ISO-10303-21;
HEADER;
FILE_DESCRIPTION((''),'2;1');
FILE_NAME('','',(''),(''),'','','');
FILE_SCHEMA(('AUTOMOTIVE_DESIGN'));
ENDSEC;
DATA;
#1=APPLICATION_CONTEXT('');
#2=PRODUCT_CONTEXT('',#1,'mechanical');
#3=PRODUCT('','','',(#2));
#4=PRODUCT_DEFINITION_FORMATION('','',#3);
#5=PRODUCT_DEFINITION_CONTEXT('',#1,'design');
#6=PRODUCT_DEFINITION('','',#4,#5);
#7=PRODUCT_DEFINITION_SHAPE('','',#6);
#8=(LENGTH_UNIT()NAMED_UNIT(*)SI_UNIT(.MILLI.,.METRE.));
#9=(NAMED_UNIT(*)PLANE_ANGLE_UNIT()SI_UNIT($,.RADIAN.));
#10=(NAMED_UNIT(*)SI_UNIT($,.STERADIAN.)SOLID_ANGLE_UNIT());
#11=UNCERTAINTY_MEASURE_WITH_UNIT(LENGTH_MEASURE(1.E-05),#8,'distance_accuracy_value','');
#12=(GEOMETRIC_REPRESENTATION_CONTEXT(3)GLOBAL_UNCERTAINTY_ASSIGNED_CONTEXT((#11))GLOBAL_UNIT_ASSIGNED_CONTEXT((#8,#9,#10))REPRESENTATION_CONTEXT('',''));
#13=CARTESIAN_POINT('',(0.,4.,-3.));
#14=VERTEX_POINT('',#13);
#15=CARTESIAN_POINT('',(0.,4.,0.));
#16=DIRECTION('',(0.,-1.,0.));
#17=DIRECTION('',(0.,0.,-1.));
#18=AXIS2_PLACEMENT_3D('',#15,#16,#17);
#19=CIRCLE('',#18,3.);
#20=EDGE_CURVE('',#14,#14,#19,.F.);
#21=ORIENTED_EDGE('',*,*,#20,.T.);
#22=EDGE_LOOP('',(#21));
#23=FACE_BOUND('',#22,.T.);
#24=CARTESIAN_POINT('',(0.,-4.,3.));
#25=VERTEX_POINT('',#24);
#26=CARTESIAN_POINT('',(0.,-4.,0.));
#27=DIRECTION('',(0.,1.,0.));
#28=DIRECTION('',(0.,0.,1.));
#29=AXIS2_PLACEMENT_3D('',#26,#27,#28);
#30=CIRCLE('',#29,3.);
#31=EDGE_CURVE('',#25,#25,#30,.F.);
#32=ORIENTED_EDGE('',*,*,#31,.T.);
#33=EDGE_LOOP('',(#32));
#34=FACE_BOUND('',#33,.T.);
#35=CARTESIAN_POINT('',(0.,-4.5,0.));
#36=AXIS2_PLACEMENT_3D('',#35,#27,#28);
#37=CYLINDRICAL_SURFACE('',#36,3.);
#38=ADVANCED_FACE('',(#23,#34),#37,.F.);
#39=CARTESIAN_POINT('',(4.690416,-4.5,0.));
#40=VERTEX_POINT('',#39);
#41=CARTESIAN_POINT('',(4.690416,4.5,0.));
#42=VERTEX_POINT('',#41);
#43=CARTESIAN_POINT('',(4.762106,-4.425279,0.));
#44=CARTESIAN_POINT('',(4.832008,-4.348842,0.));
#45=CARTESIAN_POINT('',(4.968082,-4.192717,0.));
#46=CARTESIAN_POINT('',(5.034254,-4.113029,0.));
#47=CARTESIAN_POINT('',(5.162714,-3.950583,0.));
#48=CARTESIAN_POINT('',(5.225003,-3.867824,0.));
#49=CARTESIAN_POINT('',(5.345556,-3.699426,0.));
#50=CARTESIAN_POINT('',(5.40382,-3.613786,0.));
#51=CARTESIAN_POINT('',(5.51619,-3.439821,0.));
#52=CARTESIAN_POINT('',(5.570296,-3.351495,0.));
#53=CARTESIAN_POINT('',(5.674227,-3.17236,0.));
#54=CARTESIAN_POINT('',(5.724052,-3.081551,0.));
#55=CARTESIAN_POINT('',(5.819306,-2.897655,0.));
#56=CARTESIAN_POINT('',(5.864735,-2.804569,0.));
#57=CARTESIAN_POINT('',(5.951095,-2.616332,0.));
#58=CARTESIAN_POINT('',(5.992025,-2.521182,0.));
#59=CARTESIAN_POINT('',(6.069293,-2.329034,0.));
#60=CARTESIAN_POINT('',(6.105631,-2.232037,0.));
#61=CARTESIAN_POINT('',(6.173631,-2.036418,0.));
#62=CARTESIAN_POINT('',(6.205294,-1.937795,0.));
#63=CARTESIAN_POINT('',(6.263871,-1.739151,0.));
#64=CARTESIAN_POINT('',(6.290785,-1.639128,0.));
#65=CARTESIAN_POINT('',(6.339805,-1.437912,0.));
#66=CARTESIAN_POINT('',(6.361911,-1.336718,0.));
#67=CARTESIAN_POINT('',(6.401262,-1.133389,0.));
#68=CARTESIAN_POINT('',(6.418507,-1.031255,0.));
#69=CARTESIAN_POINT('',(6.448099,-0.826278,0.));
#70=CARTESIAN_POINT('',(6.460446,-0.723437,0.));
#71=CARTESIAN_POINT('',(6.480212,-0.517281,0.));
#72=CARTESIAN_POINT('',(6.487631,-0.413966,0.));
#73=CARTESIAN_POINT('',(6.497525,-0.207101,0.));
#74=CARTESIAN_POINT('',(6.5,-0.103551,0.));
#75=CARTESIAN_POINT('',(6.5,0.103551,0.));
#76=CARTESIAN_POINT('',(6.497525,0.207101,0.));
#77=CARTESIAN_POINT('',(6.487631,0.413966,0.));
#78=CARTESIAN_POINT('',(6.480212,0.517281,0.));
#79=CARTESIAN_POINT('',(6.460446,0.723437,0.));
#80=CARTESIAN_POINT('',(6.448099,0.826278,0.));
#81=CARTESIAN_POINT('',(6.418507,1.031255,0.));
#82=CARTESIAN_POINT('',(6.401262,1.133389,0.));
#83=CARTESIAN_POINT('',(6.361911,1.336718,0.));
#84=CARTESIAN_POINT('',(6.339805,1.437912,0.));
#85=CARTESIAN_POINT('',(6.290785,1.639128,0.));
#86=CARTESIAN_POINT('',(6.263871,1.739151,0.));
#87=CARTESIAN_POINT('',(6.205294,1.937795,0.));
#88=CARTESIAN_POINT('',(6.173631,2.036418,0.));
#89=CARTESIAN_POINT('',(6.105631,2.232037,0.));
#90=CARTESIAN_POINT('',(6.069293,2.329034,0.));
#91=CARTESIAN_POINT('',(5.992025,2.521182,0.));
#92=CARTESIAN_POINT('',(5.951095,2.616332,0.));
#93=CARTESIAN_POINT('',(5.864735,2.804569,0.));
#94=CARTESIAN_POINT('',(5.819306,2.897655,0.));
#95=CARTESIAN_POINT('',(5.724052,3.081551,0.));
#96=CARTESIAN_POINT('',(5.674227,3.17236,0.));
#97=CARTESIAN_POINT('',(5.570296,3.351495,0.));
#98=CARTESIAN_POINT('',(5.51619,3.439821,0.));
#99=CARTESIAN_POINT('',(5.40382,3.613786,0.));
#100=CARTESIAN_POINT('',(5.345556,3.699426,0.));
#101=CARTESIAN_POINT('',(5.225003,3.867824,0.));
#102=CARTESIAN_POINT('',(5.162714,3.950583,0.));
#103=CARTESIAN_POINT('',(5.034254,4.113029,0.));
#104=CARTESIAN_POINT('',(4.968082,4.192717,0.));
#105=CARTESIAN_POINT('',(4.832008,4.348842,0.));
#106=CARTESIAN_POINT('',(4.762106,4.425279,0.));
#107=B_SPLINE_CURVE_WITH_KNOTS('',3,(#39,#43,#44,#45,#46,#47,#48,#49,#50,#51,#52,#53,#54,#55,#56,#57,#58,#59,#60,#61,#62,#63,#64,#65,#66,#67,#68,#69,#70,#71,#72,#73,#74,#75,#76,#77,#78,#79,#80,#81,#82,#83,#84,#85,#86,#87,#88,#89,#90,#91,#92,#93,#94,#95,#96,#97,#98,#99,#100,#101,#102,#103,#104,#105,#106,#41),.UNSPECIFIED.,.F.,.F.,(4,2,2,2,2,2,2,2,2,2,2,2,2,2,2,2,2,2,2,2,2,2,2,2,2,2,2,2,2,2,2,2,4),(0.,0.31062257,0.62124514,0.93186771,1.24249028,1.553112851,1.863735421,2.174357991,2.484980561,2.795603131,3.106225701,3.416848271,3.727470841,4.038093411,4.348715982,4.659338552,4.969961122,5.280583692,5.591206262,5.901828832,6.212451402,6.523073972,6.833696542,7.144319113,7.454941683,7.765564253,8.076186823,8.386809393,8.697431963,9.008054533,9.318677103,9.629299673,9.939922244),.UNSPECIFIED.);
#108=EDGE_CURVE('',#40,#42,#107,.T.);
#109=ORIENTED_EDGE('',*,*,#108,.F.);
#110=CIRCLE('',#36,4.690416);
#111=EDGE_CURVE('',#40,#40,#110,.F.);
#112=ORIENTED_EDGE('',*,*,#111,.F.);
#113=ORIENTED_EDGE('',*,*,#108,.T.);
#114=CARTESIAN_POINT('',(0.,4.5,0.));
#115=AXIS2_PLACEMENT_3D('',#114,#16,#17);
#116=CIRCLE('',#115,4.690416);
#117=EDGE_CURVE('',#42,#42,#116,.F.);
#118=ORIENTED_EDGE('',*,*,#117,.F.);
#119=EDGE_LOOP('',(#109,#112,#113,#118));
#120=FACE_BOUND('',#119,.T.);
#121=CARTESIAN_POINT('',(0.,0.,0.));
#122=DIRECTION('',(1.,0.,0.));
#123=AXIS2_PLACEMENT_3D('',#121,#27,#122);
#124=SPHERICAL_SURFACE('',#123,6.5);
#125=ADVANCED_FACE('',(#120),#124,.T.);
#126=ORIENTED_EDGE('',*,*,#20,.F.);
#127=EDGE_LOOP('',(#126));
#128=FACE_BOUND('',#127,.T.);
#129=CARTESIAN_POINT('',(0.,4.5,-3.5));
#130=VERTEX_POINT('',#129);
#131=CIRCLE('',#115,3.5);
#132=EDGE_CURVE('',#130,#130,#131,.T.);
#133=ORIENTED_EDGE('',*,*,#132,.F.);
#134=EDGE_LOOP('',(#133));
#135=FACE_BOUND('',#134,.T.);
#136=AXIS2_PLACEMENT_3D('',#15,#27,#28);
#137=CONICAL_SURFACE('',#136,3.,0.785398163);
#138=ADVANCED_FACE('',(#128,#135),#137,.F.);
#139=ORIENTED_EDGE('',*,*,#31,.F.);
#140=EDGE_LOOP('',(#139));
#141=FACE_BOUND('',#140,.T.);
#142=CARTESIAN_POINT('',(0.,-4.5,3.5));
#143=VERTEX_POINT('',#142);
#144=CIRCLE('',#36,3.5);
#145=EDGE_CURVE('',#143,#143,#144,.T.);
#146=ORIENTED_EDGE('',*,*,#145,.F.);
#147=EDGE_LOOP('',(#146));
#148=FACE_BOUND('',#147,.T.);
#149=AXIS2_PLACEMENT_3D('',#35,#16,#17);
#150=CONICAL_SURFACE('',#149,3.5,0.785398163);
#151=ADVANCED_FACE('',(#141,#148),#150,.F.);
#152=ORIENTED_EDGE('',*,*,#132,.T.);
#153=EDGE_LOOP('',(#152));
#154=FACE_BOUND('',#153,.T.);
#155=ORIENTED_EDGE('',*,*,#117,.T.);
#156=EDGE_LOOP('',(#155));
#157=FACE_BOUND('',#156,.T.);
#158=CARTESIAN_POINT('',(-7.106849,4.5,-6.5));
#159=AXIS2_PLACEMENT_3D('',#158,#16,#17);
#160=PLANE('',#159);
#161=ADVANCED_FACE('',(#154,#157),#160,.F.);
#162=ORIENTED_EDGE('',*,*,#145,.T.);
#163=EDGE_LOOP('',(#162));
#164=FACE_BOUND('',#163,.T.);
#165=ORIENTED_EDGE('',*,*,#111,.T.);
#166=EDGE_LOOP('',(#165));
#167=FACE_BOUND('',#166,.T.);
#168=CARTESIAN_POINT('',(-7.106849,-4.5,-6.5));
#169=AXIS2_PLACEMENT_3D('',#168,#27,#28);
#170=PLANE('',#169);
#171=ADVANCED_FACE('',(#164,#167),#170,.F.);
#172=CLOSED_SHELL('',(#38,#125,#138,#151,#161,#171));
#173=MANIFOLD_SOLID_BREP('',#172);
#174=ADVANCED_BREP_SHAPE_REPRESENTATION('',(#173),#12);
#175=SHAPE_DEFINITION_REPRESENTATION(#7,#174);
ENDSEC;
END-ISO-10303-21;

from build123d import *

# Parameters (mm, degrees)
TAGLIO_ESTRUSIONE1_DEPTH      = 12.258330249
TAGLIO_ESTRUSIONE1_DEPTH_BACK = 12.258330249
SCHIZZO2_W                    = 14.577161361
SCHIZZO2_H                    = 2.36968633
SCHIZZO2_H_2                  = 2.58511236
SCHIZZO3_R                    = 3
TAGLIO_ESTRUSIONE2_DEPTH      = 13.86468033
SMUSSO1_SIZE                  = 0.5


with BuildPart() as part:
    # Schizzo1 → Rivoluzione1 (revolve)
    with BuildSketch(Plane.XY):
        with BuildLine():
            Line((0, 6.5), (0, -6.5))
            ThreePointArc((0, -6.5), (-6.5, 0), (0, 6.5))
        make_face()
    revolve(axis=Axis((0, 8.58113686, 0), (0, -1, 0)))

    # Schizzo2 → Taglio-Estrusione1 (cut, two sides: drawn at the far end of the back side and taken through both)
    with BuildSketch(Plane.XY.offset(-TAGLIO_ESTRUSIONE1_DEPTH_BACK)):
        with Locations((0.181731429, 5.684843165)):
            Rectangle(SCHIZZO2_W, SCHIZZO2_H)
        with Locations((0.181731429, -5.79255618)):
            Rectangle(SCHIZZO2_W, SCHIZZO2_H_2)
    extrude(amount=TAGLIO_ESTRUSIONE1_DEPTH + TAGLIO_ESTRUSIONE1_DEPTH_BACK, mode=Mode.SUBTRACT)

    # Schizzo3 → Taglio-Estrusione2 (cut, through all)
    with BuildSketch(Plane(origin=(0, 4.5, 0), x_dir=(-1, 0, 0), z_dir=(0, 1, 0))):
        Circle(SCHIZZO3_R)
    extrude(amount=-TAGLIO_ESTRUSIONE2_DEPTH, mode=Mode.SUBTRACT)

    # Smusso1
    smusso1_edges = [part.edges().sort_by_distance(p)[0] for p in [
        (3, -4.5, 0),
        (3, 4.5, 0),
    ]]
    chamfer(smusso1_edges, length=SMUSSO1_SIZE)


solid = part.part
